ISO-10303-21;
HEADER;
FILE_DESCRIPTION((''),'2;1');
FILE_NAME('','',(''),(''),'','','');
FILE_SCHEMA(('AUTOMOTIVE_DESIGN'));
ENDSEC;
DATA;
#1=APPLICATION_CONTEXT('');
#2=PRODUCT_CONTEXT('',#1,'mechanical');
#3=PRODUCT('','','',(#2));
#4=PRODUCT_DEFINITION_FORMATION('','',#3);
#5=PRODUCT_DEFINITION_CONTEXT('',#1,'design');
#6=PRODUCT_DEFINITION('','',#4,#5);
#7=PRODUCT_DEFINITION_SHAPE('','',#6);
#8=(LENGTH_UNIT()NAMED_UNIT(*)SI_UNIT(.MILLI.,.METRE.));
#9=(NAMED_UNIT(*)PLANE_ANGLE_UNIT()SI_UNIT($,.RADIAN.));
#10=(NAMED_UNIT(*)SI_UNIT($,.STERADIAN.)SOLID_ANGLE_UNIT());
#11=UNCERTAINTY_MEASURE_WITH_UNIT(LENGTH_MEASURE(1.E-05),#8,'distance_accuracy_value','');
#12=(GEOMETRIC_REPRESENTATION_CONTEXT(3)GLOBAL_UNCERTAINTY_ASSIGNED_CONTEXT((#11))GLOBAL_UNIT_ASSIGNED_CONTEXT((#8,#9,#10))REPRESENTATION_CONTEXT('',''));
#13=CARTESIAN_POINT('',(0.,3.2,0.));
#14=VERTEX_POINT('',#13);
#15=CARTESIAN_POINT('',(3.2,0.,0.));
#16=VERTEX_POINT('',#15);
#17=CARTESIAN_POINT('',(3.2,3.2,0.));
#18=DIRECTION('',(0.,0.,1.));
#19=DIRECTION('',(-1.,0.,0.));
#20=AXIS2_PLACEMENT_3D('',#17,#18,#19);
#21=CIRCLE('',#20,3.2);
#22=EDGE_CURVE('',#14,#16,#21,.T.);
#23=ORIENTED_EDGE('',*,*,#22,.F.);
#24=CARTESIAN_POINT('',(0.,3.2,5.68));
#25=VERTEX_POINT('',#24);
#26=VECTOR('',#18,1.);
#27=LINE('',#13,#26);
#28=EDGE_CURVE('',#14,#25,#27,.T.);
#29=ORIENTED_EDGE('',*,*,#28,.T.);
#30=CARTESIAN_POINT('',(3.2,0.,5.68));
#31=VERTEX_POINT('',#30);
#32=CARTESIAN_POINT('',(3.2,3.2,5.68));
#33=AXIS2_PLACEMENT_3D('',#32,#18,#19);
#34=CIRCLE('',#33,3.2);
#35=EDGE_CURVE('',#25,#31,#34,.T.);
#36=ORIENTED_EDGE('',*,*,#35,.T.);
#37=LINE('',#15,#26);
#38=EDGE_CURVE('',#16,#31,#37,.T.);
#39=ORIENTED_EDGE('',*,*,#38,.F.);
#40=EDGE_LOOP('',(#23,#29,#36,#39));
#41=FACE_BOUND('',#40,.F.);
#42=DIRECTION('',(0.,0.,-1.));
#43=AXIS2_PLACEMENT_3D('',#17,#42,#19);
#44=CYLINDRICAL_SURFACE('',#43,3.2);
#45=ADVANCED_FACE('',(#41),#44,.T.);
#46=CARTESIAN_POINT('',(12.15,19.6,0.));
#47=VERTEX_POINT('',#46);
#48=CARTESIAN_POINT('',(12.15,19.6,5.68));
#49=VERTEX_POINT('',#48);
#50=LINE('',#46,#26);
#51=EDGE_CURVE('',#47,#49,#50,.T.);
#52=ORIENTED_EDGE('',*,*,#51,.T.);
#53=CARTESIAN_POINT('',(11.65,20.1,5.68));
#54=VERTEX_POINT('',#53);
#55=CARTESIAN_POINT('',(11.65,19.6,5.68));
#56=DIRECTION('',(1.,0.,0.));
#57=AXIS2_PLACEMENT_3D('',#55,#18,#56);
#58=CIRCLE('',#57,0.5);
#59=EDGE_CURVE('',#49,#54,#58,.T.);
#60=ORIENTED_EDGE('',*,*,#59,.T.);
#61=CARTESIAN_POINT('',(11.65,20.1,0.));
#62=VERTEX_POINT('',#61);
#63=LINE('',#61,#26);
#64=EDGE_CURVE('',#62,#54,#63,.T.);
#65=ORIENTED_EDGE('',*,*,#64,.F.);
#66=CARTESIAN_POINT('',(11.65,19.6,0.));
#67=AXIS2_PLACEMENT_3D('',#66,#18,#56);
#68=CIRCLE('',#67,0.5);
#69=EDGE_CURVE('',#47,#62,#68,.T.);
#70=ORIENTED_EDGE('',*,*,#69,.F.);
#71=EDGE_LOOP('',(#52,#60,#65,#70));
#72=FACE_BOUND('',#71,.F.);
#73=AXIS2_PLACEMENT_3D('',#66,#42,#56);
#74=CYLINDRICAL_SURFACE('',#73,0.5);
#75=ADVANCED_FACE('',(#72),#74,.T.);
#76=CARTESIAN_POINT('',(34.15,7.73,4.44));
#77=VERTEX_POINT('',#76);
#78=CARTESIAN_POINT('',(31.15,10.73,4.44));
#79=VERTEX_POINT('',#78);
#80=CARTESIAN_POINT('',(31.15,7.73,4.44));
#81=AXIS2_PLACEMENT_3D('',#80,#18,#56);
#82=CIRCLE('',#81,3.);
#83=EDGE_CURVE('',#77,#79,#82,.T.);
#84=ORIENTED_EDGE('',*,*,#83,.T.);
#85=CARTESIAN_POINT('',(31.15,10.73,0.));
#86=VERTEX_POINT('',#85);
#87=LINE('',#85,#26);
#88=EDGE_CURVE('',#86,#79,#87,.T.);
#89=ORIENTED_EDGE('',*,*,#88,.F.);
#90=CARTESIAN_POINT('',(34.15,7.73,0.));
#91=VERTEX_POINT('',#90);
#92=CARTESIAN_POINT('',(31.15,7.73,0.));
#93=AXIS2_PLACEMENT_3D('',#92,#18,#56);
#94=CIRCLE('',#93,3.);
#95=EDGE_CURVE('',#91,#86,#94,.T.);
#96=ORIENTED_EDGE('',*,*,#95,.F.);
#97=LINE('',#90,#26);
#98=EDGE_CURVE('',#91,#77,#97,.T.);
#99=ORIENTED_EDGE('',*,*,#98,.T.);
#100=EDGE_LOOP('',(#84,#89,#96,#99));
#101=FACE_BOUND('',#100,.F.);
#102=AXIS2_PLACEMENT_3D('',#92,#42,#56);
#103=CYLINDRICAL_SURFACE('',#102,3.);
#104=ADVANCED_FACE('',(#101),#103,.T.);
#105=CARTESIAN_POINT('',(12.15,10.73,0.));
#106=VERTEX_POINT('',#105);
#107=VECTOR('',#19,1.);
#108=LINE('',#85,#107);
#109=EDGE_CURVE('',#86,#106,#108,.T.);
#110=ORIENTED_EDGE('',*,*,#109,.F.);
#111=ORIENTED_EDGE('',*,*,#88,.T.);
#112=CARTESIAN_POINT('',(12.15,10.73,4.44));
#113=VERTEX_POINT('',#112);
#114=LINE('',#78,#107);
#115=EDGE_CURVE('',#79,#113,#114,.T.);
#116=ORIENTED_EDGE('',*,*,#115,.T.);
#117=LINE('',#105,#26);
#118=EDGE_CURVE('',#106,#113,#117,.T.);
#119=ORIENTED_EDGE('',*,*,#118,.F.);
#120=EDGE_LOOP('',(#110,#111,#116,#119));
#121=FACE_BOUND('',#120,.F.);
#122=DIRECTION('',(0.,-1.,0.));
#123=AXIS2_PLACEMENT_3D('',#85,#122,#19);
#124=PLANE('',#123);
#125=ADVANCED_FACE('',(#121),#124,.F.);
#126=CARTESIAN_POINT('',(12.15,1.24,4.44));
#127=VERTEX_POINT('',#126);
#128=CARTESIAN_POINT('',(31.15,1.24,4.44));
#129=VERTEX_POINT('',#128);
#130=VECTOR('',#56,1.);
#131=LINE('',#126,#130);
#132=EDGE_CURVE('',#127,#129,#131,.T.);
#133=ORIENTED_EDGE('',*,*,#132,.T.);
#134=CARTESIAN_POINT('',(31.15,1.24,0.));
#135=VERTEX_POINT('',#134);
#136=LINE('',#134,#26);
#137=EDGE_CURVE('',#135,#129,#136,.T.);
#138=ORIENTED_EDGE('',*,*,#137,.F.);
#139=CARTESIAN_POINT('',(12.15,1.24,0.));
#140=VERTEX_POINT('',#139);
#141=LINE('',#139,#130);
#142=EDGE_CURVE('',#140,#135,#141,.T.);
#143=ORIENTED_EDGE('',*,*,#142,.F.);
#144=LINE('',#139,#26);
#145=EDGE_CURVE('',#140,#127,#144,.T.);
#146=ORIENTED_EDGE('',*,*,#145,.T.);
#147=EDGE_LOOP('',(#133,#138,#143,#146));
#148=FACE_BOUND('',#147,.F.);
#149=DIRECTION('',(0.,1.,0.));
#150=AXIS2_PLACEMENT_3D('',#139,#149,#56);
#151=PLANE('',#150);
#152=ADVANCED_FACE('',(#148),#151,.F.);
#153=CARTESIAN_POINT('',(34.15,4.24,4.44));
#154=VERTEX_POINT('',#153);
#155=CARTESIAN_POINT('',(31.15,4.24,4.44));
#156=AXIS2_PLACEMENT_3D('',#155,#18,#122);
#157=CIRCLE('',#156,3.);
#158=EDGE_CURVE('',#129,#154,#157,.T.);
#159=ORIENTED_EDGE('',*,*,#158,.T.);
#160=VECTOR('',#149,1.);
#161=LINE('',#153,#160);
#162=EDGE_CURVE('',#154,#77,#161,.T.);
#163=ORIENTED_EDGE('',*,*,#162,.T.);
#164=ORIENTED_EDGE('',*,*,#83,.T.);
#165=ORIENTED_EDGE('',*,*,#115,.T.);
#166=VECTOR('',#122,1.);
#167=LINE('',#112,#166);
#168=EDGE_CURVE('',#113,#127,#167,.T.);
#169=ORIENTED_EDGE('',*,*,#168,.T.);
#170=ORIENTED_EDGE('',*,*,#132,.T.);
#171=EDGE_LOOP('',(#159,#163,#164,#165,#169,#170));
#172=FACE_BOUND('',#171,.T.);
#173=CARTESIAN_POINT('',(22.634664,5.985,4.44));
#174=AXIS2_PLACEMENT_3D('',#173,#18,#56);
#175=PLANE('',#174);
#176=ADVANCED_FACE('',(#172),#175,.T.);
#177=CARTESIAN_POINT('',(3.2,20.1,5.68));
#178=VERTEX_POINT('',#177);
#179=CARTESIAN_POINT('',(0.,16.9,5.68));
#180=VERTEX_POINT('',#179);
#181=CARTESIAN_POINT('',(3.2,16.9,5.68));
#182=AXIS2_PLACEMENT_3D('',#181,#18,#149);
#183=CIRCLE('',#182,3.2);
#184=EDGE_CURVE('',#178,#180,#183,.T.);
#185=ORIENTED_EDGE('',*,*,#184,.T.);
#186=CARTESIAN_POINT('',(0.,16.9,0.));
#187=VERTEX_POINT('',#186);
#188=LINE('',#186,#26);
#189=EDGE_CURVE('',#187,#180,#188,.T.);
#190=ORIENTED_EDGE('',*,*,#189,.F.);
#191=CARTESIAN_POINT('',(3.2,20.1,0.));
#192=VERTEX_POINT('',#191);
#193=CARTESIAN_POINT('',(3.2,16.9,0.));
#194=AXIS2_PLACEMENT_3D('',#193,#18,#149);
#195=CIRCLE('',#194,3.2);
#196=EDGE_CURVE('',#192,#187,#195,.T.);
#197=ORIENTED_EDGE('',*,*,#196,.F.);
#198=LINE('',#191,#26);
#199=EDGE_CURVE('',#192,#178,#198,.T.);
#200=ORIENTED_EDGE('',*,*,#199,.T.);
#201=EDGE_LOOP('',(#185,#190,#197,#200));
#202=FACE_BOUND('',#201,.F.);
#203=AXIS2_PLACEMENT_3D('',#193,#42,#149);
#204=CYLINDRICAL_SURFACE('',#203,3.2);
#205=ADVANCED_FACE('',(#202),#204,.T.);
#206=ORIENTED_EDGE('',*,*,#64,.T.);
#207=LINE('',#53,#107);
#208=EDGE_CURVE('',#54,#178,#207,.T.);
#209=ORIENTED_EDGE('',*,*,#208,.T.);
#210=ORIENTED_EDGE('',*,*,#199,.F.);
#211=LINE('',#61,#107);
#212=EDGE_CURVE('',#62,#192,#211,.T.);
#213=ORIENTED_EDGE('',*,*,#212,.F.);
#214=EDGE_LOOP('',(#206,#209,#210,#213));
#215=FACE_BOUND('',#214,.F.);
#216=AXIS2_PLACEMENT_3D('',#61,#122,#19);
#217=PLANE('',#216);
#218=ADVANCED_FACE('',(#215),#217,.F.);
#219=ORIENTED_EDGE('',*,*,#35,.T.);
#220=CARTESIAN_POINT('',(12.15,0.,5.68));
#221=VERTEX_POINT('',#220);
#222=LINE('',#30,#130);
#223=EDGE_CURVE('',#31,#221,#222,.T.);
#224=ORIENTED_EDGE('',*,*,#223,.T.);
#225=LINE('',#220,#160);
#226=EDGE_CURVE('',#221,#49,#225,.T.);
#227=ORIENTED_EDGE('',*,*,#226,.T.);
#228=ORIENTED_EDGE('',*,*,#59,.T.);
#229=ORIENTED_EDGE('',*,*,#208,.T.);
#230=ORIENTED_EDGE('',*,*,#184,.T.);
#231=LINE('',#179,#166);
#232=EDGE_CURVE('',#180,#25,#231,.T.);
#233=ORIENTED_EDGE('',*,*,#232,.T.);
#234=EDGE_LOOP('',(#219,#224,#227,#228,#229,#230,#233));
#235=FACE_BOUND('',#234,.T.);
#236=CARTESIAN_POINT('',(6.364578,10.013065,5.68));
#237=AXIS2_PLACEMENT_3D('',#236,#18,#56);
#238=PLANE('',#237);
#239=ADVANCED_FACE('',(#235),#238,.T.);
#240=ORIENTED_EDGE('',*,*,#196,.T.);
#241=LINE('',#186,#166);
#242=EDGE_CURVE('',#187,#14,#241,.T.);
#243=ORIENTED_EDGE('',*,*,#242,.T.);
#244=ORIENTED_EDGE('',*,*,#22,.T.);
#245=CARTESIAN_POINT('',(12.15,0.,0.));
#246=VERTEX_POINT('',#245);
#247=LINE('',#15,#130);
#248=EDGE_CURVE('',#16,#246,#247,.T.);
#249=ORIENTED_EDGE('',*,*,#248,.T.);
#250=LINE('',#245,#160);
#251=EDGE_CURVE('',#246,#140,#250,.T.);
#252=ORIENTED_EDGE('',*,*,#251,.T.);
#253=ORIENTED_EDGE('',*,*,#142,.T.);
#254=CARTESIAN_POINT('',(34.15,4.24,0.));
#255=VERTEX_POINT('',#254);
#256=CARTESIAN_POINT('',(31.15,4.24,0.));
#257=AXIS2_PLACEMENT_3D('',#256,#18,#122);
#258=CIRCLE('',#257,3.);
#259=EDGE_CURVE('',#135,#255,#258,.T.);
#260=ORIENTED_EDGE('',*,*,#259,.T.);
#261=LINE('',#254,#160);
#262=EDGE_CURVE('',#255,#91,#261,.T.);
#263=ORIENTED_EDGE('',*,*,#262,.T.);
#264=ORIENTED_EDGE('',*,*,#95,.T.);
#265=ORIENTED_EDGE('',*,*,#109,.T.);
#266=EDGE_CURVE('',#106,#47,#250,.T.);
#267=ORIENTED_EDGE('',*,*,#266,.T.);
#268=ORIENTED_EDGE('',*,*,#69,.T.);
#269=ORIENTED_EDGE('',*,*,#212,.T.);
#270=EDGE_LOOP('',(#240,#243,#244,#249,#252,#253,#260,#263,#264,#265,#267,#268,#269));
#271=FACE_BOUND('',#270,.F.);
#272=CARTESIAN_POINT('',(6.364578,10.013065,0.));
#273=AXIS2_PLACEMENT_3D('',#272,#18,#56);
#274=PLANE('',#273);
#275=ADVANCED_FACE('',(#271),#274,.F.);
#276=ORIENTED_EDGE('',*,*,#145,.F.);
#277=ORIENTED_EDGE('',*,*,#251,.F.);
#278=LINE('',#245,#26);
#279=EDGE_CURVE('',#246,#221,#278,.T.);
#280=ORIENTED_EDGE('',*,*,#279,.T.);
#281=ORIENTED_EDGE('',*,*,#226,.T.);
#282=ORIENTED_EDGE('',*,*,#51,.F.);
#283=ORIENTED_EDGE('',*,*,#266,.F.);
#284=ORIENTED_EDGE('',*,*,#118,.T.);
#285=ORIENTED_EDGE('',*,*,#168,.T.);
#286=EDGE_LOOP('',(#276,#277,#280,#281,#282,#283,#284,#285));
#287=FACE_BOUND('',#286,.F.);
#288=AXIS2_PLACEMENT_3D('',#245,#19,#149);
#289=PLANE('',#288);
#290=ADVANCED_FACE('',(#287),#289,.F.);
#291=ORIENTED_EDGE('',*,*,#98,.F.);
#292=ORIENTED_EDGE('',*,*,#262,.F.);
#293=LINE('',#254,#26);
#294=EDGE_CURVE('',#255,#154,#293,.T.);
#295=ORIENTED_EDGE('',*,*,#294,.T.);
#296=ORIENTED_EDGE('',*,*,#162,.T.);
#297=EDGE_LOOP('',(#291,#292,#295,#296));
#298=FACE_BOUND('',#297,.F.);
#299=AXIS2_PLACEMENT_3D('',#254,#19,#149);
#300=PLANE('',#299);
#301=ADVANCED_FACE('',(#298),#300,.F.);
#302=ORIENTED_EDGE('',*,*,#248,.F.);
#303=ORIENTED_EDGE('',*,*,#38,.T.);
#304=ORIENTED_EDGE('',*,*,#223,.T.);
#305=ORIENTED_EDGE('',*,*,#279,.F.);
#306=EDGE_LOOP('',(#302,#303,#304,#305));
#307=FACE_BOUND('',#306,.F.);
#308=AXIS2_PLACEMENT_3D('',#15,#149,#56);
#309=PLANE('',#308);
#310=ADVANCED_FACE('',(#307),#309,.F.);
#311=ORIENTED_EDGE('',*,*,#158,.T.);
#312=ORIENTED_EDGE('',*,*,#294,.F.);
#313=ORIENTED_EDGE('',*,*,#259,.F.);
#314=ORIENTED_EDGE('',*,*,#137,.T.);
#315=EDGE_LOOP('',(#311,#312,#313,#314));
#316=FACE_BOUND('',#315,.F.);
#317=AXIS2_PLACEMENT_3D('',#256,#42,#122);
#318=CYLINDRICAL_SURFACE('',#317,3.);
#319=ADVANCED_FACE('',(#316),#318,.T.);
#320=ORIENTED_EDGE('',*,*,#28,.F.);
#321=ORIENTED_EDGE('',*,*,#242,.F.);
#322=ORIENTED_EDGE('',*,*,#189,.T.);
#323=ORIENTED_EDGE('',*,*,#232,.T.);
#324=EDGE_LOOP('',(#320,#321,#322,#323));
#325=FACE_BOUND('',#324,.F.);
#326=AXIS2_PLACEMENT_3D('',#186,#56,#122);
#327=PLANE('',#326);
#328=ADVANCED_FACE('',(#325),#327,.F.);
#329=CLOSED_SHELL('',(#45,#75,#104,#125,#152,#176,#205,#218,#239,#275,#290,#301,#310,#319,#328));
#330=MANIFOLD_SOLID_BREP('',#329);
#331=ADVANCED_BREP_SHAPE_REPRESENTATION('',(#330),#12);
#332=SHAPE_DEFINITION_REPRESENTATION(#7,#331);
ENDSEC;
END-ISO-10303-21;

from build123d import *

# Parameters (mm, degrees)
F2_DEPTH = 5.68
F3_DEPTH = 4.44


with BuildPart() as f2:
    # F1 (on Top) → F2 (new body)
    with BuildSketch(Plane.XY):
        with BuildLine():
            ThreePointArc((0, 3.2), (0.9372583002, 0.9372583002), (3.2, 0))
            Line((3.2, 0), (12.15, 0))
            Line((12.15, 0), (12.15, 1.24))
            Line((12.15, 1.24), (12.15, 10.73))
            Line((12.15, 10.73), (12.15, 19.6))
            ThreePointArc((12.15, 19.6), (12.0035533906, 19.9535533906), (11.65, 20.1))
            Line((11.65, 20.1), (3.2, 20.1))
            ThreePointArc((3.2, 20.1), (0.9372583002, 19.1627416998), (0, 16.9))
            Line((0, 16.9), (0, 3.2))
        make_face()
    extrude(amount=F2_DEPTH)

    # F1 (on Top) → F3 (join)
    with BuildSketch(Plane.XY):
        with BuildLine():
            Line((12.15, 10.73), (12.15, 1.24))
            Line((12.15, 1.24), (31.15, 1.24))
            ThreePointArc((31.15, 1.24), (33.2713203436, 2.1186796564), (34.15, 4.24))
            Line((34.15, 4.24), (34.15, 7.73))
            ThreePointArc((34.15, 7.73), (33.2713203436, 9.8513203436), (31.15, 10.73))
            Line((31.15, 10.73), (12.15, 10.73))
        make_face()
    extrude(amount=F3_DEPTH)


solid = f2.part
